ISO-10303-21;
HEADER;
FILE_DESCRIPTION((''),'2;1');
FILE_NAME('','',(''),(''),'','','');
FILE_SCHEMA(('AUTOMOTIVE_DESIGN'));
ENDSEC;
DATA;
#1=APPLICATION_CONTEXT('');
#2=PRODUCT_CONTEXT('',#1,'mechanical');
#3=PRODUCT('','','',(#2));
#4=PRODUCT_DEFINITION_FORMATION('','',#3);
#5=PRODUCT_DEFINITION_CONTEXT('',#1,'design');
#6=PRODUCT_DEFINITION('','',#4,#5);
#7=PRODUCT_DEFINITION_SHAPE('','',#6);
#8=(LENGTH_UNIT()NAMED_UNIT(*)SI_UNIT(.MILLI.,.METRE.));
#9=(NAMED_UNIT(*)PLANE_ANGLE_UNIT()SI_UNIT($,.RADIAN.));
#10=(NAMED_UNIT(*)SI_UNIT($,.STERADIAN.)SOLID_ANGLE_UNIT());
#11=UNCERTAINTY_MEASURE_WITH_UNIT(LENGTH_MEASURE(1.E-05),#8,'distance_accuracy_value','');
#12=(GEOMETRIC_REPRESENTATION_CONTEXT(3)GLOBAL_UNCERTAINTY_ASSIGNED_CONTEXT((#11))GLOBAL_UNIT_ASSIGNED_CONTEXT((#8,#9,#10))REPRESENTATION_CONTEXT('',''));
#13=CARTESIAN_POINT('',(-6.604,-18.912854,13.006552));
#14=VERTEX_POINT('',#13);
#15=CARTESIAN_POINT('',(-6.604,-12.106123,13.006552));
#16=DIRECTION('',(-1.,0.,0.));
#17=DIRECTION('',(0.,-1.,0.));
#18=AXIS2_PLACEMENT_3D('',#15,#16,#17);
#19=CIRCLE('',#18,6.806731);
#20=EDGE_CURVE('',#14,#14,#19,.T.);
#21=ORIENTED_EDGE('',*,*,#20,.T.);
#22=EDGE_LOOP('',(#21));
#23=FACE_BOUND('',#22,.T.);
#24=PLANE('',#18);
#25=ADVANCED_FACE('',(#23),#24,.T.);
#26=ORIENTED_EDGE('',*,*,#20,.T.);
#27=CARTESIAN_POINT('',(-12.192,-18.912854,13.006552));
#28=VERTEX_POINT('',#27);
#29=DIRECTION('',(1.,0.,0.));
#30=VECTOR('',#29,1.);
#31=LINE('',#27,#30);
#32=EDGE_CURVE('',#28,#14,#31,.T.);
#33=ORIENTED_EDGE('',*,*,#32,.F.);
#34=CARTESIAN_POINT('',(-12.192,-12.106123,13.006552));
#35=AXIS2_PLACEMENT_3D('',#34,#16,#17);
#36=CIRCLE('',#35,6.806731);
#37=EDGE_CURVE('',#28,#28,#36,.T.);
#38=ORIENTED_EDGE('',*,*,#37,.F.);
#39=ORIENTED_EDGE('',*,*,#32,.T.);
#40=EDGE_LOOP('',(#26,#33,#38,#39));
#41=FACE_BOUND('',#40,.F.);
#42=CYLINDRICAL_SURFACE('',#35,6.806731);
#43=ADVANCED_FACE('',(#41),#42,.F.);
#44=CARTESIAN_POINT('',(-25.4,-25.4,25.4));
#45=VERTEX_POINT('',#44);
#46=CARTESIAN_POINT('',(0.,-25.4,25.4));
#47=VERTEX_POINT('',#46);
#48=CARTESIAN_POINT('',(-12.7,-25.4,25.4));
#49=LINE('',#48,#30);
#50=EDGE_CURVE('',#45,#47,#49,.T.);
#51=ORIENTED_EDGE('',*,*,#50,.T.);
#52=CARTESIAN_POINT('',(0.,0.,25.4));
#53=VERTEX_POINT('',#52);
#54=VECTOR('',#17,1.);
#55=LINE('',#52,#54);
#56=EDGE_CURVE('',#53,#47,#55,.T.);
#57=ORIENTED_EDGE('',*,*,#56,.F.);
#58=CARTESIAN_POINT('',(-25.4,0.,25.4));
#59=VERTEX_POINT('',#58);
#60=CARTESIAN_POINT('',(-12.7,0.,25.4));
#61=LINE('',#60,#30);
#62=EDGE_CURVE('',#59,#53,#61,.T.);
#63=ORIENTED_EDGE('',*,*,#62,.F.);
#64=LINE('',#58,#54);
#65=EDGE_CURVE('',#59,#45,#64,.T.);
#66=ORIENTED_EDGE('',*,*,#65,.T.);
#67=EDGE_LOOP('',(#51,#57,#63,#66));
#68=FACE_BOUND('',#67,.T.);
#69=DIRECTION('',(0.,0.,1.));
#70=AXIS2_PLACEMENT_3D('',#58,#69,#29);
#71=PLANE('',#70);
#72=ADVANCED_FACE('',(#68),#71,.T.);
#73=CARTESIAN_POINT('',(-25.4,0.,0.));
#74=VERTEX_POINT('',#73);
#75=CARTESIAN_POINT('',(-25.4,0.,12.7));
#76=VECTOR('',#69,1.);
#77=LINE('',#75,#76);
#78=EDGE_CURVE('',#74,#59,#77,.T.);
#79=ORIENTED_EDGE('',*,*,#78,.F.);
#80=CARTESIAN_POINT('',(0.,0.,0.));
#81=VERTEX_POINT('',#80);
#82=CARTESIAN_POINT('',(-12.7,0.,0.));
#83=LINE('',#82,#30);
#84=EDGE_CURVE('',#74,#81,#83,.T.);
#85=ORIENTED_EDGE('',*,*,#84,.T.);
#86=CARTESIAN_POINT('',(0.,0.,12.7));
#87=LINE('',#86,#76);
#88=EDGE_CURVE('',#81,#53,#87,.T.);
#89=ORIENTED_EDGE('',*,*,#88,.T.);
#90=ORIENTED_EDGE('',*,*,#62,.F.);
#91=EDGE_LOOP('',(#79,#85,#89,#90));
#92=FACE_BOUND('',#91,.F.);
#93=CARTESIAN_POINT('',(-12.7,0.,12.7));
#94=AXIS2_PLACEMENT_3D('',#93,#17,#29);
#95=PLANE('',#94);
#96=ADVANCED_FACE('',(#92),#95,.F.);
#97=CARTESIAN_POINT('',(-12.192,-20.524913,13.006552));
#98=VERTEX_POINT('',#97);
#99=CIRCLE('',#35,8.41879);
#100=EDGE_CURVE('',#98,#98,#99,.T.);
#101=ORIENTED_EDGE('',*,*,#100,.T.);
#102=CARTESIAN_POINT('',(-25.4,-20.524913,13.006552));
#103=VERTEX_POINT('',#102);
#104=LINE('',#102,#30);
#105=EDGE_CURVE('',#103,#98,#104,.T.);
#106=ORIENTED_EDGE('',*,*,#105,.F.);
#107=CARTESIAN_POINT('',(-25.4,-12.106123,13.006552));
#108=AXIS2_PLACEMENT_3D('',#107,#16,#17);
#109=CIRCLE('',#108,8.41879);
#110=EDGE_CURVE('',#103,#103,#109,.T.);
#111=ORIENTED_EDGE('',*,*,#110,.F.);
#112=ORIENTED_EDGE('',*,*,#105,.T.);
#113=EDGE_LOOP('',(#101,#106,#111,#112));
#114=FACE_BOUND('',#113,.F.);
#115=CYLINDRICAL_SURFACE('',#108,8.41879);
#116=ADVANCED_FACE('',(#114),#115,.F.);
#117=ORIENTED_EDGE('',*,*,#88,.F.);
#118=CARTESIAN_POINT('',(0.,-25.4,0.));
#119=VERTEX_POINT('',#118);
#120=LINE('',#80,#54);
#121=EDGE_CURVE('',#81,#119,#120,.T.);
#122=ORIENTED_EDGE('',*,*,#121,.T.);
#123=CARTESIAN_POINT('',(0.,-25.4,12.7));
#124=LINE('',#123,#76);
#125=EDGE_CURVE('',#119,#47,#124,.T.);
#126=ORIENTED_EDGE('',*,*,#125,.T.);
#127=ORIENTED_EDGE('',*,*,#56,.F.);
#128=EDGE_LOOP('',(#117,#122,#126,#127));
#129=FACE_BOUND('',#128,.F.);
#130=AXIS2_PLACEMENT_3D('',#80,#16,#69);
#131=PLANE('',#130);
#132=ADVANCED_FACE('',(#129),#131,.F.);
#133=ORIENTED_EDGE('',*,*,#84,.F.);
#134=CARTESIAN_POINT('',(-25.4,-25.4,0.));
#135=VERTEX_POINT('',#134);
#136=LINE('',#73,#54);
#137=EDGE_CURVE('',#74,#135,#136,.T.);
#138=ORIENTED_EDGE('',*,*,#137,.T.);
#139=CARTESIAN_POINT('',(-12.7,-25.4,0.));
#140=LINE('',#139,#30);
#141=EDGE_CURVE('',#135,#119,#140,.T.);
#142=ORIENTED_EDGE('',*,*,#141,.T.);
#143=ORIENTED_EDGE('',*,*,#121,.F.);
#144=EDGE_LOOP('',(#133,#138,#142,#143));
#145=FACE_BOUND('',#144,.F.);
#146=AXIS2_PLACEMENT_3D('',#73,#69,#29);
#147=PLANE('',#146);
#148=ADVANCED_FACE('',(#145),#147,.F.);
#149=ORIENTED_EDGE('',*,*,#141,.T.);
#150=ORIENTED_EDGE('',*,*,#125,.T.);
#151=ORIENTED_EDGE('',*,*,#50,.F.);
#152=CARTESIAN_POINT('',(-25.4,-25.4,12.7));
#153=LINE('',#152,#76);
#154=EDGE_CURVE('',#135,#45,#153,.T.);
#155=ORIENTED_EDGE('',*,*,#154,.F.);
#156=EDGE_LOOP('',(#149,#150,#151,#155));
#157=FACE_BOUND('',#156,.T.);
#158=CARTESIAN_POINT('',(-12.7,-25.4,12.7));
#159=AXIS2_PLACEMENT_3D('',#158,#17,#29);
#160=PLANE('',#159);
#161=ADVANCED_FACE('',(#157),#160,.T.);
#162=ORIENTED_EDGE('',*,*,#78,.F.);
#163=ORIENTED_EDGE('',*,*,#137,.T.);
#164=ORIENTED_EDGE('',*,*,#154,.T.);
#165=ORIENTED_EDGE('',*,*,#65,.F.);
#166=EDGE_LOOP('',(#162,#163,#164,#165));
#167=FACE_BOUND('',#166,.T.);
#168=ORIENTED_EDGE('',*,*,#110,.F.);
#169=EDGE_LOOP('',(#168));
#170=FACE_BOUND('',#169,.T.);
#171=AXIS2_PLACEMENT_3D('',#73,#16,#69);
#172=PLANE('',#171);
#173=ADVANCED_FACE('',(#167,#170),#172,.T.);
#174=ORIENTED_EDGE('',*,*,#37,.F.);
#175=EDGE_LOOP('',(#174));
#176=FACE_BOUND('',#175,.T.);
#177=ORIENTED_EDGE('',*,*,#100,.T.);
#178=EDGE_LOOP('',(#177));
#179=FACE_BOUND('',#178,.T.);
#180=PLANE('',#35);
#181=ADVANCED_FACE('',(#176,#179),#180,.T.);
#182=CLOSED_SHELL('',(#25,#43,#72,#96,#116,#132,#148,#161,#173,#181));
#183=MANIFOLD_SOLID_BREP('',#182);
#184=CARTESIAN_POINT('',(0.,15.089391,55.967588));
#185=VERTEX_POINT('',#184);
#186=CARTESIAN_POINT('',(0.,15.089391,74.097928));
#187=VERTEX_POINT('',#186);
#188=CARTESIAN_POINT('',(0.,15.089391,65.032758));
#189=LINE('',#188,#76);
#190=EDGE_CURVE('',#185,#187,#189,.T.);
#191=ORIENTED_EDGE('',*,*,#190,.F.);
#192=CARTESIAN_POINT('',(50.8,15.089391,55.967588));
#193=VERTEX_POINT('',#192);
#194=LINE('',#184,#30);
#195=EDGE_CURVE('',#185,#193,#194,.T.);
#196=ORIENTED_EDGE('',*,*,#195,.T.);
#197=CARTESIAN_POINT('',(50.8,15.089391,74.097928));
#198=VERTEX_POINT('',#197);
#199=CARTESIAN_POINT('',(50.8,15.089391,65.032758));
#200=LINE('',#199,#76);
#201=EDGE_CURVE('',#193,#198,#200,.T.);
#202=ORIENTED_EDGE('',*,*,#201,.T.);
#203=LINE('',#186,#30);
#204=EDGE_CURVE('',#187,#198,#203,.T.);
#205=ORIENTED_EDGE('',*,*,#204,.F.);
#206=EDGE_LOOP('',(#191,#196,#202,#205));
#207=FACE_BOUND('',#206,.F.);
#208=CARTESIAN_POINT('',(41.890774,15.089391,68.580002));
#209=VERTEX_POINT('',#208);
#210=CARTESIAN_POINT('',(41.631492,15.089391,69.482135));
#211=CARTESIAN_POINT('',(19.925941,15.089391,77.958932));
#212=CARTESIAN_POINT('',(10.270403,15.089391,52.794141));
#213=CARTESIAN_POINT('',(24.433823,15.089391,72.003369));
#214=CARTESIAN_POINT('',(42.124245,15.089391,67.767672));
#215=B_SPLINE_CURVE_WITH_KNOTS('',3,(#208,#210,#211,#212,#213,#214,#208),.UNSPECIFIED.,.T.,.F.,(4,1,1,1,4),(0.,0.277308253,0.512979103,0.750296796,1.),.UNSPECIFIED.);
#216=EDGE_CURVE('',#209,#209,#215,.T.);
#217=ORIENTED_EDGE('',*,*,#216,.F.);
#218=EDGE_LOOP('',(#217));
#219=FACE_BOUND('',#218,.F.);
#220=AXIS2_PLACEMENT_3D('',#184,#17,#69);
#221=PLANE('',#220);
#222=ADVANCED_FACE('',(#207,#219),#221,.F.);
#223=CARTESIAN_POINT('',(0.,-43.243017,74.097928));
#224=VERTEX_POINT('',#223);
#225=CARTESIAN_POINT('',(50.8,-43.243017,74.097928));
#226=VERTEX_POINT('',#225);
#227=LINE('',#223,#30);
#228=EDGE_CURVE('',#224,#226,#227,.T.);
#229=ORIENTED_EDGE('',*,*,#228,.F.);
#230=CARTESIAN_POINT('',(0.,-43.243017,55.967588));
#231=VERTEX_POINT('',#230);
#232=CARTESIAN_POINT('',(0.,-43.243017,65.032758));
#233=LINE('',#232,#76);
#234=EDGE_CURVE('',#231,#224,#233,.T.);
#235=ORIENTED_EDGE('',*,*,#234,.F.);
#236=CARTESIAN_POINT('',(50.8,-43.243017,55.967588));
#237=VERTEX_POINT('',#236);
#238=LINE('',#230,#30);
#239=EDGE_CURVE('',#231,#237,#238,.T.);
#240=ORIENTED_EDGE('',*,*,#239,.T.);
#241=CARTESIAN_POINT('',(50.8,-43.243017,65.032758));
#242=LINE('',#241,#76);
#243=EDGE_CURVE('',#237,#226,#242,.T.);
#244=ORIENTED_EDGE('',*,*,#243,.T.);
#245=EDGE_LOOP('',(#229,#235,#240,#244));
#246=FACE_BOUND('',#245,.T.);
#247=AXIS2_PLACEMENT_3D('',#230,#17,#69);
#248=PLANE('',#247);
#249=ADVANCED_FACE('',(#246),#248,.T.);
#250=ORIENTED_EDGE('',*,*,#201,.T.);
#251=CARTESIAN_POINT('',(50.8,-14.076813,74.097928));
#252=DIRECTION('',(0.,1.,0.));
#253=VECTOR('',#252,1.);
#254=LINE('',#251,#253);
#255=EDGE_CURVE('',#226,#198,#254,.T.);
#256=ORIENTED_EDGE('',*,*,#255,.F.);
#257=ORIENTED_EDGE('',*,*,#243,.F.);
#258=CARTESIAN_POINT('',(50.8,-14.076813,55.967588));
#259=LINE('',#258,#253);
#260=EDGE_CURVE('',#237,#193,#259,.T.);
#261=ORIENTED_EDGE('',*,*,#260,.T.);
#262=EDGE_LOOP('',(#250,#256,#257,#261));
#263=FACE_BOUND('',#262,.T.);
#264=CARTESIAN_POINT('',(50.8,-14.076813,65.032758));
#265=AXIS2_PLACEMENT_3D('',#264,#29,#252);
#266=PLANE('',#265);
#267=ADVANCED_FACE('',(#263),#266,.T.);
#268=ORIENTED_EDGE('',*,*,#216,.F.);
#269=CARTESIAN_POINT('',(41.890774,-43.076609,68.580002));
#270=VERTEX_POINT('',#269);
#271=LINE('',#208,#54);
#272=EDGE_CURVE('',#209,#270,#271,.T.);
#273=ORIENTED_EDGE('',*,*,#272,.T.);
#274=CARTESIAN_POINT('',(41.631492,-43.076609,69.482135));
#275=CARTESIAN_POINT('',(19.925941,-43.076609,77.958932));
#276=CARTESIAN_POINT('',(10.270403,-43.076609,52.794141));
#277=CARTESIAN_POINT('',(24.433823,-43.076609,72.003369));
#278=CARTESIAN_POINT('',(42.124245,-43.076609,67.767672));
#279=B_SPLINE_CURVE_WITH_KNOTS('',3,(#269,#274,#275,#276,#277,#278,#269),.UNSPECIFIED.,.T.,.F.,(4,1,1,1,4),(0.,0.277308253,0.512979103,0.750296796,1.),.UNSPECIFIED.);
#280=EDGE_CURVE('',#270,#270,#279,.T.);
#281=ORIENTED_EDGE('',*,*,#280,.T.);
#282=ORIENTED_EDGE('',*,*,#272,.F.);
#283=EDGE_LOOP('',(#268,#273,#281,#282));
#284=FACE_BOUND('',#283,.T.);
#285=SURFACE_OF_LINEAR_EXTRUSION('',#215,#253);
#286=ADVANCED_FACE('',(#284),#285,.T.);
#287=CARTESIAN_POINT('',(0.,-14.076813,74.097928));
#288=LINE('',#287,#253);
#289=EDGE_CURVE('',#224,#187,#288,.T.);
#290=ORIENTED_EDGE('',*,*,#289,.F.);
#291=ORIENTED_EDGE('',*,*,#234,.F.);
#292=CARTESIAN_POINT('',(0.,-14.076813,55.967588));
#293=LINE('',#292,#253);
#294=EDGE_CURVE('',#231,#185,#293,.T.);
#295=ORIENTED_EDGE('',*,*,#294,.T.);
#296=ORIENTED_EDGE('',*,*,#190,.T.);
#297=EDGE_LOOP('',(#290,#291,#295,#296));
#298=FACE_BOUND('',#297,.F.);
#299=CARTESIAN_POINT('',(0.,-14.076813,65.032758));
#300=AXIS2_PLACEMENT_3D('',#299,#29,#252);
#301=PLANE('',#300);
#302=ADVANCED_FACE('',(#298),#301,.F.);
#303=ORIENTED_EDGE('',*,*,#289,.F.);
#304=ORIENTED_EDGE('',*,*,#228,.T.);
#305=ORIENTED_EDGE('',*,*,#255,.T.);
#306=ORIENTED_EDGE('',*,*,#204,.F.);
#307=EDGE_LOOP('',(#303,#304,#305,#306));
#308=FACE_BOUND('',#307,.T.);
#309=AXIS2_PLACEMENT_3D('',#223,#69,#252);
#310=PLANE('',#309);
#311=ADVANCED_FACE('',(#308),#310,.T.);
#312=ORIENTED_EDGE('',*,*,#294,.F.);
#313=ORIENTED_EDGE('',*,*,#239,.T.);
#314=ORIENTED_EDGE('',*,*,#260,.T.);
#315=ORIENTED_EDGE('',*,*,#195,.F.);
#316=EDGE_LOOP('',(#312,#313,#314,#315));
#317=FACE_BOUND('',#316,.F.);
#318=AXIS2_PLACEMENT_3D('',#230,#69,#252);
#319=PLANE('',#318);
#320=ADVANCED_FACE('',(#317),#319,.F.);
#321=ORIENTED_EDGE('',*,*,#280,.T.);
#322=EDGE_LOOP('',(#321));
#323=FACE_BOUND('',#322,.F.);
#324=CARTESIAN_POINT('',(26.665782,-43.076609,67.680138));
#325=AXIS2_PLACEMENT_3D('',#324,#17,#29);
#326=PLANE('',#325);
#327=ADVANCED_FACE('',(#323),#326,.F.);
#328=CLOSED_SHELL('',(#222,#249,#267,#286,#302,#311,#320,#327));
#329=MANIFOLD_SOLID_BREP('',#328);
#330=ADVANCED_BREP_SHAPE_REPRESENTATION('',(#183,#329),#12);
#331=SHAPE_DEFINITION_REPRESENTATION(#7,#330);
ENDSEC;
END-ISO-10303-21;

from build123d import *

# Parameters (mm, degrees)
F0_W      = 25.4
F0_H      = 25.4
F1_DEPTH  = 25.4
F2_DEPTH  = 25.4
F3_R      = 8.1587505768
F3_R_2    = 8.1026
F4_DEPTH  = 12.7
F5_R      = 9.6221334919
F6_DEPTH  = 12.7
F7_R      = 8.4187899488
F8_DEPTH  = 13.208
F9_R      = 6.8067308035
F10_DEPTH = 5.588
F11_W     = 58.332407847
F11_H     = 18.1303396821
F12_DEPTH = 50.8
F14_DEPTH = 58.166


with BuildPart() as f1:
    # F0 (on Front) → F1 (new body)
    with BuildSketch(Plane.XZ):
        with Locations((-12.7, 12.7)):
            Rectangle(F0_W, F0_H)
    extrude(amount=F1_DEPTH)

    # F0 (on Front) → F2 (join)
    with BuildSketch(Plane.XZ):
        with Locations((-12.7, 12.7)):
            Rectangle(F0_W, F0_H)
    extrude(amount=F2_DEPTH)

    # F3 (on face) → F4 (join)
    with BuildSketch(Plane.XZ.offset(25.4)):
        with Locations((-11.3450856879, 11.8241375312)):
            Circle(F3_R)
        with Locations((-11.3450856879, 11.8241375312)):
            Circle(F3_R_2, mode=Mode.SUBTRACT)
        with Locations((-11.3450856879, 11.8241375312)):
            Circle(F3_R_2)
    extrude(amount=-F4_DEPTH)

    # F5 (on face) → F6 (join)
    with BuildSketch(Plane.YZ):
        with Locations((-13.1187057123, 12.8094833344)):
            Circle(F5_R)
    extrude(amount=-F6_DEPTH)

    # F7 (on face) → F8 (cut)
    with BuildSketch(Plane(origin=(-25.4, 0, 0), x_dir=(0, -1, 0), z_dir=(-1, 0, 0))):
        with Locations((12.1061233804, 13.0065521225)):
            Circle(F7_R)
    extrude(amount=-F8_DEPTH, mode=Mode.SUBTRACT)

    # F9 (on face) → F10 (cut)
    with BuildSketch(Plane(origin=(-12.192, 0, 0), x_dir=(0, -1, 0), z_dir=(-1, 0, 0))):
        with Locations((12.1061233804, 13.0065521225)):
            Circle(F9_R)
    extrude(amount=-F10_DEPTH, mode=Mode.SUBTRACT)


with BuildPart() as f12:
    # F11 (on Right) → F12 (new body)
    with BuildSketch(Plane.YZ):
        with Locations((-14.0768131241, 65.0327578187)):
            Rectangle(F11_W, F11_H)
    extrude(amount=F12_DEPTH)

    # F13 (on face) → F14 (cut)
    with BuildSketch(Plane(origin=(0, 15.0893907994, 0), x_dir=(-1, 0, 0), z_dir=(0, 1, 0))):
        with BuildLine():
            add(Edge.make_bspline(
                [(-41.8907739222, 68.5800015926), (-41.6314921901, 69.4821352758), (-19.925940684, 77.9589324958), (-10.2704026467, 52.7941414948), (-24.4338228003, 72.0033694044), (-42.1242450817, 67.7676721034), (-41.8907739222, 68.5800015926)],
                knots=[0, 0, 0, 0, 0.277308253, 0.5129791028, 0.7502967956, 1, 1, 1, 1], degree=3))
        make_face()
    extrude(amount=-F14_DEPTH, mode=Mode.SUBTRACT)


solid = Compound([f1.part, f12.part])
